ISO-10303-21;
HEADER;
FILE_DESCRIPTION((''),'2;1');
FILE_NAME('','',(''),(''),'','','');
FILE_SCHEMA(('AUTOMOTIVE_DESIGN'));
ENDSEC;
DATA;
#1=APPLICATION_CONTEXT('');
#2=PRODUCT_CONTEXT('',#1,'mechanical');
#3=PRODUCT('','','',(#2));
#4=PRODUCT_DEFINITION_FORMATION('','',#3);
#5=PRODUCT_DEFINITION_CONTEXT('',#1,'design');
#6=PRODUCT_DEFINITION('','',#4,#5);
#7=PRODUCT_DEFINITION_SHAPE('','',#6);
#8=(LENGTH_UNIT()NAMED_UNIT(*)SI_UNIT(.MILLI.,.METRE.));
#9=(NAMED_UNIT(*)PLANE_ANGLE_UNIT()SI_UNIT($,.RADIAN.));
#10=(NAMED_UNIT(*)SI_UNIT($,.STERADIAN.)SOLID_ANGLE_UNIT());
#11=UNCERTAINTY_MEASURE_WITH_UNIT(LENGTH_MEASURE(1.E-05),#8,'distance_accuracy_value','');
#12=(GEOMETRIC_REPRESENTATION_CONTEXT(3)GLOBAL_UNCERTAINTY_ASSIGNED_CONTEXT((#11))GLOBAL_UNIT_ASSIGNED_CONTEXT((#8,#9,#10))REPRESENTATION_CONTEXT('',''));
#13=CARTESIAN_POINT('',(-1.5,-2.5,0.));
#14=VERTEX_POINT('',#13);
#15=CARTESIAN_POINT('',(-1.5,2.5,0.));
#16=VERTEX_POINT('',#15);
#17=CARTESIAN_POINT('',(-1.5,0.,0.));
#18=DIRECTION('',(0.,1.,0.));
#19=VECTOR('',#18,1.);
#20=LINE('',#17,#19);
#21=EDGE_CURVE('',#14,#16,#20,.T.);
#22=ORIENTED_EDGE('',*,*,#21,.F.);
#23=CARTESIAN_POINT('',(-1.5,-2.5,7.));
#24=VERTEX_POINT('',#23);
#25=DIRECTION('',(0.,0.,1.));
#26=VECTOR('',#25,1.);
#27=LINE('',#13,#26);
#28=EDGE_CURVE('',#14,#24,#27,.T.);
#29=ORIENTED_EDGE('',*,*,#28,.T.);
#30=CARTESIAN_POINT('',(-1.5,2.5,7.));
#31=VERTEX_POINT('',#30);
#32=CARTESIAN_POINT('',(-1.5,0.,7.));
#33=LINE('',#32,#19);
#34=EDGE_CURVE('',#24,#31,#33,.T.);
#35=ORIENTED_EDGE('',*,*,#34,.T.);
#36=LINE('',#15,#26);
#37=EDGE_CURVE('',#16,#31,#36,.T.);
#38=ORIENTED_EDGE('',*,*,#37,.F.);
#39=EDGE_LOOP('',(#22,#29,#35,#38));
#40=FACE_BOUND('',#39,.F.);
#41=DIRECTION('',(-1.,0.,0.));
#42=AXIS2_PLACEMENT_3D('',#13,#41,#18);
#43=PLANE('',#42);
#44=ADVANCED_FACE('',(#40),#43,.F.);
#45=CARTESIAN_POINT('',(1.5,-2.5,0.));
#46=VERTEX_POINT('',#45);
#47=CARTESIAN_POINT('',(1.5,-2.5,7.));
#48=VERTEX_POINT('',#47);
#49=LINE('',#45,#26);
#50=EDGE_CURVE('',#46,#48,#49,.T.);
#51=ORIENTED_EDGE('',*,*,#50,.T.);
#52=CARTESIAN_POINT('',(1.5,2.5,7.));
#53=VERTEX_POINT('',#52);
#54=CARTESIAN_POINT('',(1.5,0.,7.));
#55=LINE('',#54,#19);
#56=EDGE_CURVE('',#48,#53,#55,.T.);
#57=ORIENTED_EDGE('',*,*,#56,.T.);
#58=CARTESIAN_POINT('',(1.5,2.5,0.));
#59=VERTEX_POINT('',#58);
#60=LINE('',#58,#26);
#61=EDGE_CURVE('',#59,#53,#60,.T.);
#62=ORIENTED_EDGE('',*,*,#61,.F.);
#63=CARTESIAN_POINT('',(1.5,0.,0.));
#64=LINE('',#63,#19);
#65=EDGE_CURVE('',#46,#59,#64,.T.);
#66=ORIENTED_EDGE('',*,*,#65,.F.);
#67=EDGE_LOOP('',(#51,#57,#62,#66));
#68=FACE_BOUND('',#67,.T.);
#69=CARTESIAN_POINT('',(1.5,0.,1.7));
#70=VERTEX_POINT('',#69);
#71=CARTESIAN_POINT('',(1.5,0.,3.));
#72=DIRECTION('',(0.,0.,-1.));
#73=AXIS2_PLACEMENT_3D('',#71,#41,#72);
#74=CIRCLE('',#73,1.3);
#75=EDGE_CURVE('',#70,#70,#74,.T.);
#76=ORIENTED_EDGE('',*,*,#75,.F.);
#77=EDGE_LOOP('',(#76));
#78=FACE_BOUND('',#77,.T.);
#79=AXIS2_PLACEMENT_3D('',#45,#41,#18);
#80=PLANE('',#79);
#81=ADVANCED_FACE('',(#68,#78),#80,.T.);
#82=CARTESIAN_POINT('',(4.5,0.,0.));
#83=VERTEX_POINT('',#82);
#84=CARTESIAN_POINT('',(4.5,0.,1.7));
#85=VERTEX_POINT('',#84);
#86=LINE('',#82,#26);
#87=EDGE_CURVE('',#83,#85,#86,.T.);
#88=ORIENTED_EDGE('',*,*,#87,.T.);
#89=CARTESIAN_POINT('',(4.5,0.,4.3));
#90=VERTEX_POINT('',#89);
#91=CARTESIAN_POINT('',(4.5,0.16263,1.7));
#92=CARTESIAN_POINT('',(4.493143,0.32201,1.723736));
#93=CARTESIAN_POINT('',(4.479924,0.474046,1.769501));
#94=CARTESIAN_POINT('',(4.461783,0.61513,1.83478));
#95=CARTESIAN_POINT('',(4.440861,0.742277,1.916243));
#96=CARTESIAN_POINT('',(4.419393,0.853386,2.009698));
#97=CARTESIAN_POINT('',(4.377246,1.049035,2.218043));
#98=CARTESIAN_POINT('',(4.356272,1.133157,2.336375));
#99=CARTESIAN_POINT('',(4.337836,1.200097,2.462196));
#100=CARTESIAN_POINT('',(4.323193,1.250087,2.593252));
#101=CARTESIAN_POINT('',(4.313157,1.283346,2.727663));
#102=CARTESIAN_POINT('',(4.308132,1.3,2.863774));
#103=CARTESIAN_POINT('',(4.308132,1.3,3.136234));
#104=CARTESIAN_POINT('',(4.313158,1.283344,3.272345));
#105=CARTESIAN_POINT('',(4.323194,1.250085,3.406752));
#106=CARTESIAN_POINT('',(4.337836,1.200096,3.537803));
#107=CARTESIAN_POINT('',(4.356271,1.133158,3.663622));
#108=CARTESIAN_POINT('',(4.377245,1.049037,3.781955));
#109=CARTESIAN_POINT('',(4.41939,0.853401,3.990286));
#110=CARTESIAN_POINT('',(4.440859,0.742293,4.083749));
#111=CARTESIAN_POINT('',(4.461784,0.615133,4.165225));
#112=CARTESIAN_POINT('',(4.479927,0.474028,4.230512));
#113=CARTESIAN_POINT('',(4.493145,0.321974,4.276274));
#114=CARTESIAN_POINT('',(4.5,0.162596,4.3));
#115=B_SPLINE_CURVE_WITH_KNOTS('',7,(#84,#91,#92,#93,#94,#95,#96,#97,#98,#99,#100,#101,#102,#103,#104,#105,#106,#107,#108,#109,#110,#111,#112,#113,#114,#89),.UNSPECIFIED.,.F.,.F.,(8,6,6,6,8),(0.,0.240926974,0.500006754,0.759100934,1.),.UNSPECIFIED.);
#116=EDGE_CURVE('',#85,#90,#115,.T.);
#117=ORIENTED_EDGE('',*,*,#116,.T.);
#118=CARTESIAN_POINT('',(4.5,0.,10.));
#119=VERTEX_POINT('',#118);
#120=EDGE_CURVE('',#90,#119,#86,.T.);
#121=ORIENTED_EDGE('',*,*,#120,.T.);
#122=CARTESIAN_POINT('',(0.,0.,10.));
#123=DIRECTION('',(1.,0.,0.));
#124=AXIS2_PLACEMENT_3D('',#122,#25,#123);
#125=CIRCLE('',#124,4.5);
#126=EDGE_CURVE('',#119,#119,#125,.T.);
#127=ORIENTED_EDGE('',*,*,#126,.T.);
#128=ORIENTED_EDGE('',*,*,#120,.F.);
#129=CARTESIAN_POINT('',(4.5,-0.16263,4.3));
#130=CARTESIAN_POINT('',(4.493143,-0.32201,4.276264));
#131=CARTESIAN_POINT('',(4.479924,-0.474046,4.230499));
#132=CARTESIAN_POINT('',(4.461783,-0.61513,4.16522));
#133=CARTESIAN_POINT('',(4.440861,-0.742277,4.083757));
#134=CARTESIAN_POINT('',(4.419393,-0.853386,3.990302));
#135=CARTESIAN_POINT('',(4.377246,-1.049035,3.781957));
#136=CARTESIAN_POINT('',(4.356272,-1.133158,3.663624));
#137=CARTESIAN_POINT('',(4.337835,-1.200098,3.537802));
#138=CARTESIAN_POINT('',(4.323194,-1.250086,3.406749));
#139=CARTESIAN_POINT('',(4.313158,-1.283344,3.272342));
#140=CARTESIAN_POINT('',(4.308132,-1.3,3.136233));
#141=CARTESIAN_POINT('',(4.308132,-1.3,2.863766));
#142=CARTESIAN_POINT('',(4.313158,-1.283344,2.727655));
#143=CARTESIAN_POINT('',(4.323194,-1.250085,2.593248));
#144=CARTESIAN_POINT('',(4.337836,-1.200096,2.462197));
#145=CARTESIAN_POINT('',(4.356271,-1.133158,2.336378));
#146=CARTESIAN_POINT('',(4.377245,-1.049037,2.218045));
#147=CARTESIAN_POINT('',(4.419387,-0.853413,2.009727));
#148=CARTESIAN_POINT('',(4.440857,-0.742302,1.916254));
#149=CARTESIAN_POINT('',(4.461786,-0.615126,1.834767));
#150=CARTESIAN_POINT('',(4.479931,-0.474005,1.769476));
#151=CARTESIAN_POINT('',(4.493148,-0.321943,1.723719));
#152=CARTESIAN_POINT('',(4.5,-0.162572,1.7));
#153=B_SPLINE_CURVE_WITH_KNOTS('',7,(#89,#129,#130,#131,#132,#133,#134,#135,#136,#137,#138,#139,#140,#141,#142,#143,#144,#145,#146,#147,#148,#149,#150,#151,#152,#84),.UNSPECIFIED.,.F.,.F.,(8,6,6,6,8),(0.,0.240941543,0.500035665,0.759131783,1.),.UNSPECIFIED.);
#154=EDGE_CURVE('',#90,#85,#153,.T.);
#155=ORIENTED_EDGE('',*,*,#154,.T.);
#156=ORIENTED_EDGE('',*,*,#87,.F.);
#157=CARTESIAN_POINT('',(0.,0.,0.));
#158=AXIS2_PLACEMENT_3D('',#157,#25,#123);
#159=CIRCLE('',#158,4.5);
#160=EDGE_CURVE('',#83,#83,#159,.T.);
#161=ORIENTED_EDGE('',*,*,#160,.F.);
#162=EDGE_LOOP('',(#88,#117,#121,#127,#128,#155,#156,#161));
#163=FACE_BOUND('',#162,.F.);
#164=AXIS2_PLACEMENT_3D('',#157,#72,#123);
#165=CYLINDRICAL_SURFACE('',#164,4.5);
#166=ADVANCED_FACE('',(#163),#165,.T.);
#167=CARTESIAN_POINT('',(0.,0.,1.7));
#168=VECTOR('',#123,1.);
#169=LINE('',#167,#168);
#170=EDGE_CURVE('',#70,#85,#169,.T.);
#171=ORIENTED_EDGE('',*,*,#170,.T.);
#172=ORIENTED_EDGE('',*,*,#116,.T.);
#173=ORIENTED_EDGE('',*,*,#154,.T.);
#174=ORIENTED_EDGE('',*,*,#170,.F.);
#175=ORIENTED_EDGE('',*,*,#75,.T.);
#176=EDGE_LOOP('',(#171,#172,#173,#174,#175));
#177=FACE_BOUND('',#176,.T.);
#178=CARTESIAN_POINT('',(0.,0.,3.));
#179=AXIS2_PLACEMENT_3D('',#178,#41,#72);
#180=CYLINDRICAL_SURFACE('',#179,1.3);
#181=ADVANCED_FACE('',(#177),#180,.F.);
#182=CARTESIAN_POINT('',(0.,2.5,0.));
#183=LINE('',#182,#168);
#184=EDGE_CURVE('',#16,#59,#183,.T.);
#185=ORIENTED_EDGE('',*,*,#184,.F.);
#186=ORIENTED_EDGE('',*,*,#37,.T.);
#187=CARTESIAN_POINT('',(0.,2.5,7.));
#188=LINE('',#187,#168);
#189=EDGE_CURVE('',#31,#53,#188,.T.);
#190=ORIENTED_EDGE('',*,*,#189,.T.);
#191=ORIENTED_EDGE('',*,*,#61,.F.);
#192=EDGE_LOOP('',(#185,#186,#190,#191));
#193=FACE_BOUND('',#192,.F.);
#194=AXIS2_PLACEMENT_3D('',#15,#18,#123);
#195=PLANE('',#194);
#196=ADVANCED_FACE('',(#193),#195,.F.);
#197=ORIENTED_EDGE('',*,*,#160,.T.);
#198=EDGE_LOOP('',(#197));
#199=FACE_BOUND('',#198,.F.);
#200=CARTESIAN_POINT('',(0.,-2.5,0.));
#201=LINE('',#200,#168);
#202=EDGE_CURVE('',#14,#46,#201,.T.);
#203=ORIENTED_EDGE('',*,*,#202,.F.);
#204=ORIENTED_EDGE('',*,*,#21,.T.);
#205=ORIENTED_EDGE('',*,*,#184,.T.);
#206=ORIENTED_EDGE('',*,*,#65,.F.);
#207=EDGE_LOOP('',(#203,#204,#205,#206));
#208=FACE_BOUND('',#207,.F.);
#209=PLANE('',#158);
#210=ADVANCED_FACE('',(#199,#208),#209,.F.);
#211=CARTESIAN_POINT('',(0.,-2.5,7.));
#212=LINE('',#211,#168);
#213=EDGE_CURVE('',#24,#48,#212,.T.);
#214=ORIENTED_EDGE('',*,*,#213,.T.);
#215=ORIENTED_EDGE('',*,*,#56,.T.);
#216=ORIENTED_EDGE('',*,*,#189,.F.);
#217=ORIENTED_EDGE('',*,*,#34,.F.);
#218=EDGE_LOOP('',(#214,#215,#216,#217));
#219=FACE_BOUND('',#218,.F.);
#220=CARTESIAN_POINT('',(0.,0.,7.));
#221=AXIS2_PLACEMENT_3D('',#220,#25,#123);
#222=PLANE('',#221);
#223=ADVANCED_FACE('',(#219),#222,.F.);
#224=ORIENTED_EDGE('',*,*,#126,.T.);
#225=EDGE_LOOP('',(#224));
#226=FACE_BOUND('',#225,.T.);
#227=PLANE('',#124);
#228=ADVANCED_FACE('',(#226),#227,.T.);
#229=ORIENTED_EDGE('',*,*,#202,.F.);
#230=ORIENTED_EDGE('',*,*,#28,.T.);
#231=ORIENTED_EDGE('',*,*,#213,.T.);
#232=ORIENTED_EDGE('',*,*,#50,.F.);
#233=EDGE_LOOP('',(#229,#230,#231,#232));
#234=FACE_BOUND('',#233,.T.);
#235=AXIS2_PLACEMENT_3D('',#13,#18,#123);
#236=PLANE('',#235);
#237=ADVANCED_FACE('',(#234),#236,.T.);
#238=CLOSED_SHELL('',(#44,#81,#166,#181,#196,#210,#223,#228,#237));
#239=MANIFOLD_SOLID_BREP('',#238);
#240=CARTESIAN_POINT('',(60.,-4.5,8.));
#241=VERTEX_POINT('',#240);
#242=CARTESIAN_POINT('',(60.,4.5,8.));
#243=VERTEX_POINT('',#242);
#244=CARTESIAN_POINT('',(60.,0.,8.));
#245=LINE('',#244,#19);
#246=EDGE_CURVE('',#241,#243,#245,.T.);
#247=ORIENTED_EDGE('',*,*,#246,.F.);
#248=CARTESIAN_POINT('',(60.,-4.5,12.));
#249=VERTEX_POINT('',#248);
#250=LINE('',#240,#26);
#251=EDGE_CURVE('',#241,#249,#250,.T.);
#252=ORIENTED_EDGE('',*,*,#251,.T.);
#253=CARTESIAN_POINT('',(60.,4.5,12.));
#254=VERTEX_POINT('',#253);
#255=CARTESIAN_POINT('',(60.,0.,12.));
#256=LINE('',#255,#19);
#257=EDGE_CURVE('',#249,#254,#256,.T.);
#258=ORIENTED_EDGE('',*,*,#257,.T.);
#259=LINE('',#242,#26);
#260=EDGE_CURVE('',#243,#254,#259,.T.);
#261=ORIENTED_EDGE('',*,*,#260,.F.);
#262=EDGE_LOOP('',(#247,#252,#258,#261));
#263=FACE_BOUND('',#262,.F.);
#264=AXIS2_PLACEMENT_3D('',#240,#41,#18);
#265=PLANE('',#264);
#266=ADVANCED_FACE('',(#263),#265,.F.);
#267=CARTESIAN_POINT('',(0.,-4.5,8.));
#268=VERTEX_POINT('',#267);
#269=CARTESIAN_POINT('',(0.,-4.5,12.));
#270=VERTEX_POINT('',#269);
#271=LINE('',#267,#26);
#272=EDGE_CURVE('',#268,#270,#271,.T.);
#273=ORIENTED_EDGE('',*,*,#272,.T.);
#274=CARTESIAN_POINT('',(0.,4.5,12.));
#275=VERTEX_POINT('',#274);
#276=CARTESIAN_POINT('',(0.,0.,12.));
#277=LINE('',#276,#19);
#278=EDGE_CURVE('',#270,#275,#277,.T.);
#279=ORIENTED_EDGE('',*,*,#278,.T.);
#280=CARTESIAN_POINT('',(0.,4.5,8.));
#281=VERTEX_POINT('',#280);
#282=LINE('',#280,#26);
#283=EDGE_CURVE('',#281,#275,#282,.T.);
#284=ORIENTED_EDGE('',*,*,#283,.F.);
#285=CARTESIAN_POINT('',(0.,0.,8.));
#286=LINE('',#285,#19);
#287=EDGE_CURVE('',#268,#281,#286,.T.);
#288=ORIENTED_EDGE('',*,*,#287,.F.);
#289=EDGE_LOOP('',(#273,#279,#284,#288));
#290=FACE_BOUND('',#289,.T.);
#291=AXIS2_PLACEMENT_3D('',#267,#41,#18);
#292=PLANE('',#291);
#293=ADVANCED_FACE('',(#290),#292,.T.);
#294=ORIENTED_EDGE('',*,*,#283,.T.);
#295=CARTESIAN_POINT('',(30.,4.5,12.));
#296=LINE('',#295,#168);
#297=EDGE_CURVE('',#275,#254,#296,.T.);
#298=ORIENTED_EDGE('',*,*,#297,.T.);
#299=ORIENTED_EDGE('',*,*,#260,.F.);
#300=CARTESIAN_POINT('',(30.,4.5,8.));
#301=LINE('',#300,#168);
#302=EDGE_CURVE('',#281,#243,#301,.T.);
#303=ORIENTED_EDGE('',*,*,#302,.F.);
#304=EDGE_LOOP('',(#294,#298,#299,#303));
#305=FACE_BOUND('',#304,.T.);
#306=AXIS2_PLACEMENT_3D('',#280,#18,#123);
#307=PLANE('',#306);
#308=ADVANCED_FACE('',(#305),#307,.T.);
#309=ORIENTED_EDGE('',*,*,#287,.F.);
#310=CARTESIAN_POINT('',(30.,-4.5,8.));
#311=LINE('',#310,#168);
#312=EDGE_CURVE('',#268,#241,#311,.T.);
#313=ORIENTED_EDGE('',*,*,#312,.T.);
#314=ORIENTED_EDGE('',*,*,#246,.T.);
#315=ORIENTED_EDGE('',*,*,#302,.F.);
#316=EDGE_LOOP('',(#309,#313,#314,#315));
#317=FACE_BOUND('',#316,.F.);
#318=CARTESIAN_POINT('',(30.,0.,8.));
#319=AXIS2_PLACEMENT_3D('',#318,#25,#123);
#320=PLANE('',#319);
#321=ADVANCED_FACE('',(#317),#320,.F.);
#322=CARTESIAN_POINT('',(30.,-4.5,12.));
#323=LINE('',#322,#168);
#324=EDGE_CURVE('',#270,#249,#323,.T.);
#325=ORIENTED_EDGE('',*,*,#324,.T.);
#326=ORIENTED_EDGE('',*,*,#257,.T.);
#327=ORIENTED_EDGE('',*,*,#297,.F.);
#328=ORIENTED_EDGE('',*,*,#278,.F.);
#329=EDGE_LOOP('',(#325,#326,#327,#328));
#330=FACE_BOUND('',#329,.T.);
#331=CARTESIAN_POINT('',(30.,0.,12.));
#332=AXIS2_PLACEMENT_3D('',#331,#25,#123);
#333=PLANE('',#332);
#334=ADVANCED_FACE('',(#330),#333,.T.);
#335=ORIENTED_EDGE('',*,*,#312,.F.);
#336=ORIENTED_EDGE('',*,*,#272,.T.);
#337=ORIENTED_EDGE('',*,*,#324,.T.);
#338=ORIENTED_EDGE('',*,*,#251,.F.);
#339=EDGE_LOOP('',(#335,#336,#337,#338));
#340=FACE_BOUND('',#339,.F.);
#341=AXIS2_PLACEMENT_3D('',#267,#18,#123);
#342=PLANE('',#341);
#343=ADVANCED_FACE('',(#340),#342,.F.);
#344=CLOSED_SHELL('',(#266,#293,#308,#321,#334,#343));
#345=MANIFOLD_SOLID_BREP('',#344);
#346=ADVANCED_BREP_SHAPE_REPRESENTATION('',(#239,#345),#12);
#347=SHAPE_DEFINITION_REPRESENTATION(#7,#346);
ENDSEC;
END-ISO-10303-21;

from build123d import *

# Parameters (mm, degrees)
CYLINDER_R           = 1.3
CYLINDER_DEPTH       = 5
CYLINDER_PITCH_ANGLE = 90
BOX_W                = 3
BOX_H                = 5
BOX_DEPTH            = 7
CYLINDER001_R        = 4.5
CYLINDER001_DEPTH    = 10
BOX001_W             = 60
BOX001_H             = 9
BOX001_DEPTH         = 4


with BuildPart() as cylinder:
    # Cylinder → Cylinder (new body)
    with BuildSketch(Plane.XY):
        Circle(CYLINDER_R)
    extrude(amount=CYLINDER_DEPTH)


with BuildPart() as cylinder_1:
    # Cylinder pitch: moved
    add(cylinder.part.rotate(Axis((0, 0, 0), (0, 1, 0)), CYLINDER_PITCH_ANGLE))


with BuildPart() as cylinder_2:
    # Cylinder placement: moved
    add(cylinder_1.part.moved(Location((0, 0, 3))))


with BuildPart() as box:
    # Box → Box (new body)
    with BuildSketch(Plane(origin=(-1.5, -2.5, 0), x_dir=(1, 0, 0), z_dir=(0, 0, 1))):
        with Locations((1.5, 2.5)):
            Rectangle(BOX_W, BOX_H)
    extrude(amount=BOX_DEPTH)


with BuildPart() as cut001:
    # Cylinder001 → Cylinder001 (new body)
    with BuildSketch(Plane.XY):
        Circle(CYLINDER001_R)
    extrude(amount=CYLINDER001_DEPTH)

    # Cut: cut Box
    add(box.part, mode=Mode.SUBTRACT)

    # Cut001: cut Cylinder
    add(cylinder_2.part, mode=Mode.SUBTRACT)


with BuildPart() as box001:
    # Box001 → Box001 (new body)
    with BuildSketch(Plane(origin=(0, -4.5, 8), x_dir=(1, 0, 0), z_dir=(0, 0, 1))):
        with Locations((30, 4.5)):
            Rectangle(BOX001_W, BOX001_H)
    extrude(amount=BOX001_DEPTH)


solid = Compound([cut001.part, box001.part])
